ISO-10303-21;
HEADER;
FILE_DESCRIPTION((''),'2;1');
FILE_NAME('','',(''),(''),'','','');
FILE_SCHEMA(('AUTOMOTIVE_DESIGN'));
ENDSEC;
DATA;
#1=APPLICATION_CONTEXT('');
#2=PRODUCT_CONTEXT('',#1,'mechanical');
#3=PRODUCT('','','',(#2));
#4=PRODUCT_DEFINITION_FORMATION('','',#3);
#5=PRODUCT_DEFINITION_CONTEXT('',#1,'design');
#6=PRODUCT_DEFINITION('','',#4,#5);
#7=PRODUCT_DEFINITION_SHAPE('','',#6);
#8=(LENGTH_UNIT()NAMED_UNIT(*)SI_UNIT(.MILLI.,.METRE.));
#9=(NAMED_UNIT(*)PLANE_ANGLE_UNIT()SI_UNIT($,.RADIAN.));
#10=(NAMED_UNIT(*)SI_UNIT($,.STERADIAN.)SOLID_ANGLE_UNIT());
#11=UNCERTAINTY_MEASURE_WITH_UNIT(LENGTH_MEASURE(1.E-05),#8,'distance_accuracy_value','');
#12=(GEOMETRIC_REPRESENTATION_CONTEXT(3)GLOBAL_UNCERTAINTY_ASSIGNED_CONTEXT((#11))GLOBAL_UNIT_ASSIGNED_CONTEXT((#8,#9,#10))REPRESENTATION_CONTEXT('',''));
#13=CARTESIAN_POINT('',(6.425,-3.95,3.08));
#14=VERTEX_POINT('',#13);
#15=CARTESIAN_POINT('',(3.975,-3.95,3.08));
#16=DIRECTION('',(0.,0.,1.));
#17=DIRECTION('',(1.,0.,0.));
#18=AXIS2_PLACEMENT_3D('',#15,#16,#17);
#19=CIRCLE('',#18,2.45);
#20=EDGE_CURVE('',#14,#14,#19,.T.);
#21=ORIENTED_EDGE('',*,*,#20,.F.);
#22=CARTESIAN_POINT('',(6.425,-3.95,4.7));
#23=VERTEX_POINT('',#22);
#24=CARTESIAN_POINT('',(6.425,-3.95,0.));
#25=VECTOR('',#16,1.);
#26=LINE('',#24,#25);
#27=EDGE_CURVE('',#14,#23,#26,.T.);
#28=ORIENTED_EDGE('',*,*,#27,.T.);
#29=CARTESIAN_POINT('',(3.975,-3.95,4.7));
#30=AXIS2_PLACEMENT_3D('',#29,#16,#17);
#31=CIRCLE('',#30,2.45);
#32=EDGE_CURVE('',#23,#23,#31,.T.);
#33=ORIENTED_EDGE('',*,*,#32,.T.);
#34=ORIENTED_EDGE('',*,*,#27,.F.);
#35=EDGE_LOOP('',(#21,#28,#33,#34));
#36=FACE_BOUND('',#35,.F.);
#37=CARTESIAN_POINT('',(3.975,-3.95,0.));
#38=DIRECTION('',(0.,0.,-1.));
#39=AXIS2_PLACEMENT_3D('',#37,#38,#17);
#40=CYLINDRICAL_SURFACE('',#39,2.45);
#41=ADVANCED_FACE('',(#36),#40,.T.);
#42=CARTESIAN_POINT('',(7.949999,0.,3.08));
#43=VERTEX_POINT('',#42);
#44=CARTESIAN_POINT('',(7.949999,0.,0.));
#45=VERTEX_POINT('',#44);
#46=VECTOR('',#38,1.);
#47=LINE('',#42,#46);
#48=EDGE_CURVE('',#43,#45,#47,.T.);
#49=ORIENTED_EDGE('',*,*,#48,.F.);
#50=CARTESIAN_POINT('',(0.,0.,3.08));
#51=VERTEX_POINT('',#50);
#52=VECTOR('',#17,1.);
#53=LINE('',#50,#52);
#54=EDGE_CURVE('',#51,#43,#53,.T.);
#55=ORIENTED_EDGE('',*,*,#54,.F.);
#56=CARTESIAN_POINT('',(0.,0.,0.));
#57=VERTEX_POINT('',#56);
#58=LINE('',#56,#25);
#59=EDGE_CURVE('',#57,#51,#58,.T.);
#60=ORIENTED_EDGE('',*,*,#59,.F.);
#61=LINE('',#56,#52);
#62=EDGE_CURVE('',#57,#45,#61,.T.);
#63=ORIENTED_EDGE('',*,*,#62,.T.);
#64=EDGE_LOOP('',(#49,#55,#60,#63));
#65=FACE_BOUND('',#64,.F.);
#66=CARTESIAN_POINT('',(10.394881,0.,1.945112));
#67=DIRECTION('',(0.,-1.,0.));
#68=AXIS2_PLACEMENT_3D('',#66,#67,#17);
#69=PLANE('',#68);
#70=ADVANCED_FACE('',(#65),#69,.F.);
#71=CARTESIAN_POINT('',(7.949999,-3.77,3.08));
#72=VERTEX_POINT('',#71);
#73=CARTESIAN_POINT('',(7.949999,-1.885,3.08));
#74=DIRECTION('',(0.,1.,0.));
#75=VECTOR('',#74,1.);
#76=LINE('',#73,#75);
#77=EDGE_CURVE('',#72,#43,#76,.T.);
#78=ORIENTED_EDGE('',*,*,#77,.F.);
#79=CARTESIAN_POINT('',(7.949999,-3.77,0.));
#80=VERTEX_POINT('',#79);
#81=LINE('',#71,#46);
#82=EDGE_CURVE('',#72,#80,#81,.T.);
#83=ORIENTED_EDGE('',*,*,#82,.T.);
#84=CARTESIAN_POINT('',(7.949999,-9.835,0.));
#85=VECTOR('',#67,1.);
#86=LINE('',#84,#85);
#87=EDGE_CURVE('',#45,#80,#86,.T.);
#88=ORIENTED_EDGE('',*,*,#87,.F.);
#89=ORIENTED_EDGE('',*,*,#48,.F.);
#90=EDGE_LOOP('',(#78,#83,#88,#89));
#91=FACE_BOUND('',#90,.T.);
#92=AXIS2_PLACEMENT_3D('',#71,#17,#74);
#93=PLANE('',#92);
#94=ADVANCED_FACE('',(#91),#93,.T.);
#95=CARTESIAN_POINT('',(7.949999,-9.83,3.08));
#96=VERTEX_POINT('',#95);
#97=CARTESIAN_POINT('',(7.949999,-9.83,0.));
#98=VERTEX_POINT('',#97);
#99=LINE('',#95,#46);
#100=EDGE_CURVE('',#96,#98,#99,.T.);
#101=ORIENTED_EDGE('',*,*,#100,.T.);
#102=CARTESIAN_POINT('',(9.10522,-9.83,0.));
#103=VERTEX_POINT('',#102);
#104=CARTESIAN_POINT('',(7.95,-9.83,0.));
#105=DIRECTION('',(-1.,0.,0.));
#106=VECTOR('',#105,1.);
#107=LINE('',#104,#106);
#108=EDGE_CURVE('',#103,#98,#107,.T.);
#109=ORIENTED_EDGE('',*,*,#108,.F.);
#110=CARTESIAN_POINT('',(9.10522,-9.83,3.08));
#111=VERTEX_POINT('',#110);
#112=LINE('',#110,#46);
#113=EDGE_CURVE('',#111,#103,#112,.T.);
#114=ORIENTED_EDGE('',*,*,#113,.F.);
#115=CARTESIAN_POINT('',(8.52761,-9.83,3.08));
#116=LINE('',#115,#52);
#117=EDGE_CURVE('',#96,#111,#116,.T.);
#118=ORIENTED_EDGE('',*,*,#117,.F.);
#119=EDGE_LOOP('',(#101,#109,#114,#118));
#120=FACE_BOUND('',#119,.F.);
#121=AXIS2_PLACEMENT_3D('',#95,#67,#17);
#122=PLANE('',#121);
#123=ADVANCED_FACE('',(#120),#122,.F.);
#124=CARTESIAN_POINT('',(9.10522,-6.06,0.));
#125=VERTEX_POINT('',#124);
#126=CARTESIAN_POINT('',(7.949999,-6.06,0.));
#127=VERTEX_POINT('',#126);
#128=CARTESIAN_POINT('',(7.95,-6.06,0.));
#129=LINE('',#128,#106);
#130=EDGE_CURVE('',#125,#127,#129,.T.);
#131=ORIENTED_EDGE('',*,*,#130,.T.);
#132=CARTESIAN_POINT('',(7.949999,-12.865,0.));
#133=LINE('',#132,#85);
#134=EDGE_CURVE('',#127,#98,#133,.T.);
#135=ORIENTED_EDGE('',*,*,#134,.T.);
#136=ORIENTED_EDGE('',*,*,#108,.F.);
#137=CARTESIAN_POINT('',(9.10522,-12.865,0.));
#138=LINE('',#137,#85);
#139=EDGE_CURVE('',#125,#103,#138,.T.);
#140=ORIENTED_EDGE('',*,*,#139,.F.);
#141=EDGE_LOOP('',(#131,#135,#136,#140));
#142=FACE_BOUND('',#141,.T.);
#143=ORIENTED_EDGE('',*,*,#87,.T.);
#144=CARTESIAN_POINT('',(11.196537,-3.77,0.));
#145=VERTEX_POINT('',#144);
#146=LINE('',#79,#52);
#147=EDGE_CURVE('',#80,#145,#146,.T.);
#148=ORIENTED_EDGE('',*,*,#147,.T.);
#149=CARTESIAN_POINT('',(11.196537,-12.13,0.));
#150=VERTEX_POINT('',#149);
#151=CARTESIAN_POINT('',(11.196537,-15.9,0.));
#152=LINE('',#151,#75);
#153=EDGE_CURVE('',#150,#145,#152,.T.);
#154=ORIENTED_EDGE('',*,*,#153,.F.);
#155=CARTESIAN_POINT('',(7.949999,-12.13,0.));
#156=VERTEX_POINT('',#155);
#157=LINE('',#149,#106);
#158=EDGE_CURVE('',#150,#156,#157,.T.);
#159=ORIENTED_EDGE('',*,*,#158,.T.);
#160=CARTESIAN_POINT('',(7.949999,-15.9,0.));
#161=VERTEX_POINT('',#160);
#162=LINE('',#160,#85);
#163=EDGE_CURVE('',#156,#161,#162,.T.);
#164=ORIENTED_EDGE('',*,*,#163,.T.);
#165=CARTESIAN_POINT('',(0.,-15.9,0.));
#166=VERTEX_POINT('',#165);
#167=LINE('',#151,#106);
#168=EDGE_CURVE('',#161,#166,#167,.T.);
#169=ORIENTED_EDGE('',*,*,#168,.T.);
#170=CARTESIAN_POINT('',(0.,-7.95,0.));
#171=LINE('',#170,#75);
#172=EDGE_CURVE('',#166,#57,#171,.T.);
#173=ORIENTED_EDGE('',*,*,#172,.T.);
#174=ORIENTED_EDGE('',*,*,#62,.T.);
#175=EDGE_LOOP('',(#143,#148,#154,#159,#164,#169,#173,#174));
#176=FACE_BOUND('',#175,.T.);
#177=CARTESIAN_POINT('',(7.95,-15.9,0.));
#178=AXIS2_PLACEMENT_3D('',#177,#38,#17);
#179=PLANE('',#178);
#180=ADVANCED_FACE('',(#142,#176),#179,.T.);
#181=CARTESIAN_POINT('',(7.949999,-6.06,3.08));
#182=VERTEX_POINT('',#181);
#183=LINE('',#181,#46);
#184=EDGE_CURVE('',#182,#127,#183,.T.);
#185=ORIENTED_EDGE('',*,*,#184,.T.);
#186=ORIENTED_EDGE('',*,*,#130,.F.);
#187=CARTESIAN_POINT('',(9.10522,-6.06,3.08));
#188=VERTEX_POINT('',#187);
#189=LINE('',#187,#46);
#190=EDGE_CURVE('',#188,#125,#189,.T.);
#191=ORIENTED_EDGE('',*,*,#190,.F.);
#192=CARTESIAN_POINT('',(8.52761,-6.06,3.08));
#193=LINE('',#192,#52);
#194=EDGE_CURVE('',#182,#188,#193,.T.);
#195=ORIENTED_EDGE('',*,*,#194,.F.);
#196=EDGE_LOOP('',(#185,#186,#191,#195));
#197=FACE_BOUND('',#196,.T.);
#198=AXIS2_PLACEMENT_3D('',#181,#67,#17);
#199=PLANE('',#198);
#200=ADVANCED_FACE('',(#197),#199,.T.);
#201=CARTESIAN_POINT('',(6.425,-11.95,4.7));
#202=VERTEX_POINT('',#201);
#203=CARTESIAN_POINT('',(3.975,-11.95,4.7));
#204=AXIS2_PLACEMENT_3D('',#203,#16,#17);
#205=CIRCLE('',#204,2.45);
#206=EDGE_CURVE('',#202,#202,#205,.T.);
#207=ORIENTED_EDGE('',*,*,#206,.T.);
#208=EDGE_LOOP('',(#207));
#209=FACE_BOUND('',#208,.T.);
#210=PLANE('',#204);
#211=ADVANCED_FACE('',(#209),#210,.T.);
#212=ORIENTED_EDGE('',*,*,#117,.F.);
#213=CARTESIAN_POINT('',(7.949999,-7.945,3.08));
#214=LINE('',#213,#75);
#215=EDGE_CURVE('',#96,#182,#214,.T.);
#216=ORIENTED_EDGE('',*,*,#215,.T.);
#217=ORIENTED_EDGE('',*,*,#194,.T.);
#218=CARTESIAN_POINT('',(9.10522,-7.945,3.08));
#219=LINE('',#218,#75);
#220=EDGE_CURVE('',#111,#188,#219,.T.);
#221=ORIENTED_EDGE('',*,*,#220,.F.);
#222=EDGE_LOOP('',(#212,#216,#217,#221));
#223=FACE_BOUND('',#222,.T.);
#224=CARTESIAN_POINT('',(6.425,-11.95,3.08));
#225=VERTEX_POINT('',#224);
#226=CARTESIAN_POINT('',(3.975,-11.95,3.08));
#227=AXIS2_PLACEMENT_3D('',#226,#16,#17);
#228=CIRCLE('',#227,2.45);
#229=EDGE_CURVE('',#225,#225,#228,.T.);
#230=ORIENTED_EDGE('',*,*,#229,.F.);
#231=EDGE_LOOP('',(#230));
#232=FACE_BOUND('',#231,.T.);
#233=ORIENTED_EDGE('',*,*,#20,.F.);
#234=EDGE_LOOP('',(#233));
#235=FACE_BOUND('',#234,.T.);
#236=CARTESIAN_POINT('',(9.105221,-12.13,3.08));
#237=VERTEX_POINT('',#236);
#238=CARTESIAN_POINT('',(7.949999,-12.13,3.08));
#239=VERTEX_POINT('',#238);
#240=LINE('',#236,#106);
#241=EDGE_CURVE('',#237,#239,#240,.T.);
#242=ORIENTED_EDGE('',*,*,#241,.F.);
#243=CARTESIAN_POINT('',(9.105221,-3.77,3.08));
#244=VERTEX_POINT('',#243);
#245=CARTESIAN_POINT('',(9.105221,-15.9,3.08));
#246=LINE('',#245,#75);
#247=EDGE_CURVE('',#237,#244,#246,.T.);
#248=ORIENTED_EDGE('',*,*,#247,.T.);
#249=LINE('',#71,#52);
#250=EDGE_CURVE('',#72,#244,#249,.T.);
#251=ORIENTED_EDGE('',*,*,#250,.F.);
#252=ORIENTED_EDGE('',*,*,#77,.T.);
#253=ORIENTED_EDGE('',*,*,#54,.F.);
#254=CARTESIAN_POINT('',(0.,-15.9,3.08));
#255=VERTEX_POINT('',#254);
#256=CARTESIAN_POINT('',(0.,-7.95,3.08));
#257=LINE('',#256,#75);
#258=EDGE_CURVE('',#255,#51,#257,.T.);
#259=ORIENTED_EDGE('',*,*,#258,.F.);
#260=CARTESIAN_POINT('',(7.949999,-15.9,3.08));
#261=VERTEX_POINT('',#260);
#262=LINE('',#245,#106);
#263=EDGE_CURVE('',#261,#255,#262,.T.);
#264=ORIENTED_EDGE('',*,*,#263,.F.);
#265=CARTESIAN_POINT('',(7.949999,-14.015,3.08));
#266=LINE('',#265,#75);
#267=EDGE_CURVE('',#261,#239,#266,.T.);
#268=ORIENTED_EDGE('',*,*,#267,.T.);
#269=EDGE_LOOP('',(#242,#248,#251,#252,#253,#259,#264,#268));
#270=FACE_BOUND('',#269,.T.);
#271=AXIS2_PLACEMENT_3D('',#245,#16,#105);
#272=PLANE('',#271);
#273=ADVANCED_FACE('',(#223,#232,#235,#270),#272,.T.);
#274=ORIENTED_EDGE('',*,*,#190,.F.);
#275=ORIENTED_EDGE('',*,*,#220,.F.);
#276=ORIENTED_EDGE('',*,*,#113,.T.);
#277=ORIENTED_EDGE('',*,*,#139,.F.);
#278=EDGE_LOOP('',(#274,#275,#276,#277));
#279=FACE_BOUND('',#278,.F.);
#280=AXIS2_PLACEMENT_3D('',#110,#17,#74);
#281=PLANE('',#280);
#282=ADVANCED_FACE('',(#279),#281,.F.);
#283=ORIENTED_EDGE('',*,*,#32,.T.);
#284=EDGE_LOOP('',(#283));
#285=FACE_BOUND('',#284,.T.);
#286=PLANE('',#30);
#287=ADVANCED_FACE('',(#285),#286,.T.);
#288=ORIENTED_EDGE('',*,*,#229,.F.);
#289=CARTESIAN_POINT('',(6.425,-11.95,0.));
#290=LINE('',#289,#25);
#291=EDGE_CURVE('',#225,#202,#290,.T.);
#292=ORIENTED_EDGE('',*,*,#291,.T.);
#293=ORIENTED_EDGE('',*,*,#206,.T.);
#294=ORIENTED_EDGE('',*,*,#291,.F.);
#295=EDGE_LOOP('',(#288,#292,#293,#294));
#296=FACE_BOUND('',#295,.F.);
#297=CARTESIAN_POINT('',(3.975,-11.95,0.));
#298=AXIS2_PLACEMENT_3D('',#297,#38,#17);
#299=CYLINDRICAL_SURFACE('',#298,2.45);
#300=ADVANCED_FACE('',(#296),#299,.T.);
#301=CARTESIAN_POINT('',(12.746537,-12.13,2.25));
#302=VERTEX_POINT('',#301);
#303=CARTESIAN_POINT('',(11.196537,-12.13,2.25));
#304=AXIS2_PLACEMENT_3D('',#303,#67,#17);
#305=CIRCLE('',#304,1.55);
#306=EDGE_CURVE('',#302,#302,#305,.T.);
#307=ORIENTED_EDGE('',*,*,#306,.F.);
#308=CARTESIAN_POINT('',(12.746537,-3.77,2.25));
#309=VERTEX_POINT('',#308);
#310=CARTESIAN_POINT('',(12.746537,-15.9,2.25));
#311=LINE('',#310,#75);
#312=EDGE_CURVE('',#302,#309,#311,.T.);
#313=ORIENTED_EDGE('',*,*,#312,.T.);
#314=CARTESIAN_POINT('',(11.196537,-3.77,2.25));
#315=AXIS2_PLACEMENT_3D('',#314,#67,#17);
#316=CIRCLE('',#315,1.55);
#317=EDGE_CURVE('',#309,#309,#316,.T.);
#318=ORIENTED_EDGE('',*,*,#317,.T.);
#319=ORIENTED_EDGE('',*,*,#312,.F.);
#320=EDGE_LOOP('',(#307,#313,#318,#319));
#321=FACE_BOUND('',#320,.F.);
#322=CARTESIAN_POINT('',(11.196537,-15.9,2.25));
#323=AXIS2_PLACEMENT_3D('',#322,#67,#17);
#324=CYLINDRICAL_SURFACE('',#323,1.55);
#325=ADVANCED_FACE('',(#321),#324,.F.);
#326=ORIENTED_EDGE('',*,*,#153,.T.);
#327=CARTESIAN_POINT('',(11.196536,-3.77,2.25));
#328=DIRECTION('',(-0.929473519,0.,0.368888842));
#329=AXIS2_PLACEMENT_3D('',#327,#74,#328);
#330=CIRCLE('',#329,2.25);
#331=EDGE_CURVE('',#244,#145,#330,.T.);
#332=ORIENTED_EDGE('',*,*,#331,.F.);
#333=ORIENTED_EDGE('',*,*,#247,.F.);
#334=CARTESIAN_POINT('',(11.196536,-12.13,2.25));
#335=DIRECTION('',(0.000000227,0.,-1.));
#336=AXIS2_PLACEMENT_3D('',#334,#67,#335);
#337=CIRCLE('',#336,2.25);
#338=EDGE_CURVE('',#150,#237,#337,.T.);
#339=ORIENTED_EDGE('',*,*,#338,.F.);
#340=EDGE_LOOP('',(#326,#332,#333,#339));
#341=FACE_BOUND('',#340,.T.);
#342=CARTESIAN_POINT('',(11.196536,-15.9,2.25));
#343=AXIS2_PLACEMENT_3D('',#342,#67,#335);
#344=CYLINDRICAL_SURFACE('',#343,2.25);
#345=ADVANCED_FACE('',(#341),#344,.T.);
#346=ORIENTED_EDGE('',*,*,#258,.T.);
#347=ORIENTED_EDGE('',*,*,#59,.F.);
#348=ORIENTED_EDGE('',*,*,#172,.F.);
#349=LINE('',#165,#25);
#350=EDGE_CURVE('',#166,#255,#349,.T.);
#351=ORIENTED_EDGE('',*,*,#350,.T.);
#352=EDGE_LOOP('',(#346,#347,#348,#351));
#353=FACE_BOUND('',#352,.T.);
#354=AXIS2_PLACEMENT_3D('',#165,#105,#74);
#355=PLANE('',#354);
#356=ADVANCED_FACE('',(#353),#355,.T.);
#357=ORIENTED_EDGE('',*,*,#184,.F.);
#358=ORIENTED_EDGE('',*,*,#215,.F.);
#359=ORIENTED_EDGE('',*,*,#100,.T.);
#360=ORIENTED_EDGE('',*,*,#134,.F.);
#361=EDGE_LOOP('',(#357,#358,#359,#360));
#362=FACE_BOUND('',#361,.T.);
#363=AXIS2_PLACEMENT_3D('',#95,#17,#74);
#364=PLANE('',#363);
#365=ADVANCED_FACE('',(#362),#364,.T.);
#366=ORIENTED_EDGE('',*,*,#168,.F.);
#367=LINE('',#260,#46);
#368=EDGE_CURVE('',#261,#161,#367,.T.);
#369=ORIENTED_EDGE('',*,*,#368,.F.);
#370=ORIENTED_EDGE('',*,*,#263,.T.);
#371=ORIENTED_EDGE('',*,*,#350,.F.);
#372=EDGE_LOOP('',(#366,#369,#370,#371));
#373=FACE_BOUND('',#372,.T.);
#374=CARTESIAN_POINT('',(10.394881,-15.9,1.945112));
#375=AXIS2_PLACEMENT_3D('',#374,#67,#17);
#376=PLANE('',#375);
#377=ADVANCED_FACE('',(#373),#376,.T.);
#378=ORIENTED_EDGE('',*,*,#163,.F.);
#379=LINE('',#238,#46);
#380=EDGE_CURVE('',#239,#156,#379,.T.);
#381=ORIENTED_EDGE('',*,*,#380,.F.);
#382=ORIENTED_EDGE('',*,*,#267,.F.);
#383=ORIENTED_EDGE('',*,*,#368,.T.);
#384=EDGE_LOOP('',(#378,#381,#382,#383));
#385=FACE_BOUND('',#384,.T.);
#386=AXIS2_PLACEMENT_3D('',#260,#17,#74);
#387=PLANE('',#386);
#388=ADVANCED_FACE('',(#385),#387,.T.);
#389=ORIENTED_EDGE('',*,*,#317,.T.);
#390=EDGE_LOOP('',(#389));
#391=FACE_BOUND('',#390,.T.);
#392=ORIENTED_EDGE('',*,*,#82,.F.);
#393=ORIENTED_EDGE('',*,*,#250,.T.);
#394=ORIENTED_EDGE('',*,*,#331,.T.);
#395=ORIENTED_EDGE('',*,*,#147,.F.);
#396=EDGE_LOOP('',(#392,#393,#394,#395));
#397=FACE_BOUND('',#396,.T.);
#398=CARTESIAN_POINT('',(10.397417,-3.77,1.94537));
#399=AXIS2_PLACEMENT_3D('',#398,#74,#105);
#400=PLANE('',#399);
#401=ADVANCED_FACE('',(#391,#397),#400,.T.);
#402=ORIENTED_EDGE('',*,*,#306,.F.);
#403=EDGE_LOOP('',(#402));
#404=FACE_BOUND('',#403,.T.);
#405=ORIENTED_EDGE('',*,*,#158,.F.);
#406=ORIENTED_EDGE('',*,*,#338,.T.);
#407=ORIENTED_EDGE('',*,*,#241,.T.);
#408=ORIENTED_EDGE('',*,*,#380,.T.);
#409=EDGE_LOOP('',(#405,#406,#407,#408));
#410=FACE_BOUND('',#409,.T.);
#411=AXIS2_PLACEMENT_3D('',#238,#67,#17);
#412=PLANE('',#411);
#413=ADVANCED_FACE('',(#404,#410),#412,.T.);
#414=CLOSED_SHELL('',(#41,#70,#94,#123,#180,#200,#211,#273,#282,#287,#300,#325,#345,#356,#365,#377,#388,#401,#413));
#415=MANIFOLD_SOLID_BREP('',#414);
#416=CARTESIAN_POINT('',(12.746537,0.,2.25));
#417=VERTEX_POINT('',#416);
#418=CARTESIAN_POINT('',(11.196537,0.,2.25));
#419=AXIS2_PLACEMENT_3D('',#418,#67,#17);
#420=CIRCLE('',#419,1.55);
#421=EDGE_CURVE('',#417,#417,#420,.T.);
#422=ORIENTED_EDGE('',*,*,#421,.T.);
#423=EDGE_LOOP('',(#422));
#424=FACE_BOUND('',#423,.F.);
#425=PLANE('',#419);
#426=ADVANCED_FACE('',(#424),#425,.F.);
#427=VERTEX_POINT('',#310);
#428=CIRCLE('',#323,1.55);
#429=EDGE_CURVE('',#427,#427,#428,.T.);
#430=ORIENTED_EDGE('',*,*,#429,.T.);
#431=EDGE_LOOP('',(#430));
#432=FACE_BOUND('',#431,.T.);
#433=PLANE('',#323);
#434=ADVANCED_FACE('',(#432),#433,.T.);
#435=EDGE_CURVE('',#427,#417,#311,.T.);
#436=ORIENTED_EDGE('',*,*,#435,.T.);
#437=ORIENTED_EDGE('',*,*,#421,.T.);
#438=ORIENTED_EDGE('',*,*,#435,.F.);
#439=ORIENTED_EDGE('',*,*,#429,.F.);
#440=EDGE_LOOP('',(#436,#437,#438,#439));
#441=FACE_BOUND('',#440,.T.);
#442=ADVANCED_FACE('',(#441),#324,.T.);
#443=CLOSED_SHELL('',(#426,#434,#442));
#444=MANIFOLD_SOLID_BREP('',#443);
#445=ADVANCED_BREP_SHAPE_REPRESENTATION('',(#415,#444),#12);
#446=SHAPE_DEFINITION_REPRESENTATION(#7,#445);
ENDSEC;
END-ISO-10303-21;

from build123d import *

# Parameters (mm, degrees)
F0_W      = 7.95
F0_H      = 15.9
F0_R      = 2.45
F1_DEPTH  = 3.08
F2_DEPTH  = 4.7
F3_R      = 1.55
F4_DEPTH  = 15.9
F5_W      = 1.155221
F5_H      = 3.77
F6_DEPTH  = 25
F7_DEPTH  = 15.9
F8_R      = 1.55
F9_DEPTH  = 3.77
F10_R     = 1.55
F11_DEPTH = 3.77


with BuildPart() as f1:
    # F0 (on Top) → F1 (new body)
    with BuildSketch(Plane.XY):
        with Locations((3.975, -7.95)):
            Rectangle(F0_W, F0_H)
        with Locations((3.975, -11.95)):
            Circle(F0_R, mode=Mode.SUBTRACT)
        with Locations((3.975, -3.95)):
            Circle(F0_R, mode=Mode.SUBTRACT)
    extrude(amount=F1_DEPTH)

    # F0 (on Top) → F2 (join)
    with BuildSketch(Plane.XY):
        with Locations((3.975, -11.95)):
            Circle(F0_R)
        with Locations((3.975, -3.95)):
            Circle(F0_R)
    extrude(amount=F2_DEPTH)

    # F3 (on face) → F4 (join)
    with BuildSketch(Plane.XZ.offset(15.9)):
        with BuildLine():
            Line((7.95, 0), (11.196537, 0))
            ThreePointArc((11.196537, 0), (13.057988, 3.513922), (9.105221, 3.08))
            Line((9.105221, 3.08), (7.95, 3.08))
            Line((7.95, 3.08), (7.95, 0))
        make_face()
        with Locations((11.196537, 2.25)):
            Circle(F3_R, mode=Mode.SUBTRACT)
    extrude(amount=-F4_DEPTH)

    # F5 (on face) → F6 (cut)
    with BuildSketch(Plane.XY.offset(3.08)):
        with Locations((8.52761, -14.015)):
            Rectangle(F5_W, F5_H)
        with Locations((8.52761, -7.945)):
            Rectangle(F5_W, F5_H)
        with Locations((8.52761, -1.885)):
            Rectangle(F5_W, F5_H)
    extrude(amount=-F6_DEPTH, mode=Mode.SUBTRACT)

    # F8 (on face) → F9 (cut)
    with BuildSketch(Plane.XZ.offset(15.9)):
        with BuildLine():
            Line((7.950221, 0), (11.196537, 0))
            ThreePointArc((11.196537, 0), (13.057988, 3.513922), (9.105221, 3.08))
            Line((9.105221, 3.08), (7.950221, 3.08))
            Line((7.950221, 3.08), (7.950221, 0))
        make_face()
        with Locations((11.196537, 2.25)):
            Circle(F8_R, mode=Mode.SUBTRACT)
    extrude(amount=-F9_DEPTH, mode=Mode.SUBTRACT)

    # F10 (on face) → F11 (cut)
    with BuildSketch(Plane(origin=(0, 0, 0), x_dir=(-1, 0, 0), z_dir=(0, 1, 0))):
        with BuildLine():
            Line((-7.955221, 3.08), (-9.105221, 3.08))
            ThreePointArc((-9.105221, 3.08), (-13.057988, 3.513922), (-11.196537, 0))
            Line((-11.196537, 0), (-7.955221, 0))
            Line((-7.955221, 0), (-7.955221, 3.08))
        make_face()
        with Locations((-11.196537, 2.25)):
            Circle(F10_R, mode=Mode.SUBTRACT)
    extrude(amount=-F11_DEPTH, mode=Mode.SUBTRACT)


with BuildPart() as f7:
    # F3 (on face) → F7 (new body)
    with BuildSketch(Plane.XZ.offset(15.9)):
        with Locations((11.196537, 2.25)):
            Circle(F3_R)
    extrude(amount=-F7_DEPTH)


solid = Compound([f1.part, f7.part])
